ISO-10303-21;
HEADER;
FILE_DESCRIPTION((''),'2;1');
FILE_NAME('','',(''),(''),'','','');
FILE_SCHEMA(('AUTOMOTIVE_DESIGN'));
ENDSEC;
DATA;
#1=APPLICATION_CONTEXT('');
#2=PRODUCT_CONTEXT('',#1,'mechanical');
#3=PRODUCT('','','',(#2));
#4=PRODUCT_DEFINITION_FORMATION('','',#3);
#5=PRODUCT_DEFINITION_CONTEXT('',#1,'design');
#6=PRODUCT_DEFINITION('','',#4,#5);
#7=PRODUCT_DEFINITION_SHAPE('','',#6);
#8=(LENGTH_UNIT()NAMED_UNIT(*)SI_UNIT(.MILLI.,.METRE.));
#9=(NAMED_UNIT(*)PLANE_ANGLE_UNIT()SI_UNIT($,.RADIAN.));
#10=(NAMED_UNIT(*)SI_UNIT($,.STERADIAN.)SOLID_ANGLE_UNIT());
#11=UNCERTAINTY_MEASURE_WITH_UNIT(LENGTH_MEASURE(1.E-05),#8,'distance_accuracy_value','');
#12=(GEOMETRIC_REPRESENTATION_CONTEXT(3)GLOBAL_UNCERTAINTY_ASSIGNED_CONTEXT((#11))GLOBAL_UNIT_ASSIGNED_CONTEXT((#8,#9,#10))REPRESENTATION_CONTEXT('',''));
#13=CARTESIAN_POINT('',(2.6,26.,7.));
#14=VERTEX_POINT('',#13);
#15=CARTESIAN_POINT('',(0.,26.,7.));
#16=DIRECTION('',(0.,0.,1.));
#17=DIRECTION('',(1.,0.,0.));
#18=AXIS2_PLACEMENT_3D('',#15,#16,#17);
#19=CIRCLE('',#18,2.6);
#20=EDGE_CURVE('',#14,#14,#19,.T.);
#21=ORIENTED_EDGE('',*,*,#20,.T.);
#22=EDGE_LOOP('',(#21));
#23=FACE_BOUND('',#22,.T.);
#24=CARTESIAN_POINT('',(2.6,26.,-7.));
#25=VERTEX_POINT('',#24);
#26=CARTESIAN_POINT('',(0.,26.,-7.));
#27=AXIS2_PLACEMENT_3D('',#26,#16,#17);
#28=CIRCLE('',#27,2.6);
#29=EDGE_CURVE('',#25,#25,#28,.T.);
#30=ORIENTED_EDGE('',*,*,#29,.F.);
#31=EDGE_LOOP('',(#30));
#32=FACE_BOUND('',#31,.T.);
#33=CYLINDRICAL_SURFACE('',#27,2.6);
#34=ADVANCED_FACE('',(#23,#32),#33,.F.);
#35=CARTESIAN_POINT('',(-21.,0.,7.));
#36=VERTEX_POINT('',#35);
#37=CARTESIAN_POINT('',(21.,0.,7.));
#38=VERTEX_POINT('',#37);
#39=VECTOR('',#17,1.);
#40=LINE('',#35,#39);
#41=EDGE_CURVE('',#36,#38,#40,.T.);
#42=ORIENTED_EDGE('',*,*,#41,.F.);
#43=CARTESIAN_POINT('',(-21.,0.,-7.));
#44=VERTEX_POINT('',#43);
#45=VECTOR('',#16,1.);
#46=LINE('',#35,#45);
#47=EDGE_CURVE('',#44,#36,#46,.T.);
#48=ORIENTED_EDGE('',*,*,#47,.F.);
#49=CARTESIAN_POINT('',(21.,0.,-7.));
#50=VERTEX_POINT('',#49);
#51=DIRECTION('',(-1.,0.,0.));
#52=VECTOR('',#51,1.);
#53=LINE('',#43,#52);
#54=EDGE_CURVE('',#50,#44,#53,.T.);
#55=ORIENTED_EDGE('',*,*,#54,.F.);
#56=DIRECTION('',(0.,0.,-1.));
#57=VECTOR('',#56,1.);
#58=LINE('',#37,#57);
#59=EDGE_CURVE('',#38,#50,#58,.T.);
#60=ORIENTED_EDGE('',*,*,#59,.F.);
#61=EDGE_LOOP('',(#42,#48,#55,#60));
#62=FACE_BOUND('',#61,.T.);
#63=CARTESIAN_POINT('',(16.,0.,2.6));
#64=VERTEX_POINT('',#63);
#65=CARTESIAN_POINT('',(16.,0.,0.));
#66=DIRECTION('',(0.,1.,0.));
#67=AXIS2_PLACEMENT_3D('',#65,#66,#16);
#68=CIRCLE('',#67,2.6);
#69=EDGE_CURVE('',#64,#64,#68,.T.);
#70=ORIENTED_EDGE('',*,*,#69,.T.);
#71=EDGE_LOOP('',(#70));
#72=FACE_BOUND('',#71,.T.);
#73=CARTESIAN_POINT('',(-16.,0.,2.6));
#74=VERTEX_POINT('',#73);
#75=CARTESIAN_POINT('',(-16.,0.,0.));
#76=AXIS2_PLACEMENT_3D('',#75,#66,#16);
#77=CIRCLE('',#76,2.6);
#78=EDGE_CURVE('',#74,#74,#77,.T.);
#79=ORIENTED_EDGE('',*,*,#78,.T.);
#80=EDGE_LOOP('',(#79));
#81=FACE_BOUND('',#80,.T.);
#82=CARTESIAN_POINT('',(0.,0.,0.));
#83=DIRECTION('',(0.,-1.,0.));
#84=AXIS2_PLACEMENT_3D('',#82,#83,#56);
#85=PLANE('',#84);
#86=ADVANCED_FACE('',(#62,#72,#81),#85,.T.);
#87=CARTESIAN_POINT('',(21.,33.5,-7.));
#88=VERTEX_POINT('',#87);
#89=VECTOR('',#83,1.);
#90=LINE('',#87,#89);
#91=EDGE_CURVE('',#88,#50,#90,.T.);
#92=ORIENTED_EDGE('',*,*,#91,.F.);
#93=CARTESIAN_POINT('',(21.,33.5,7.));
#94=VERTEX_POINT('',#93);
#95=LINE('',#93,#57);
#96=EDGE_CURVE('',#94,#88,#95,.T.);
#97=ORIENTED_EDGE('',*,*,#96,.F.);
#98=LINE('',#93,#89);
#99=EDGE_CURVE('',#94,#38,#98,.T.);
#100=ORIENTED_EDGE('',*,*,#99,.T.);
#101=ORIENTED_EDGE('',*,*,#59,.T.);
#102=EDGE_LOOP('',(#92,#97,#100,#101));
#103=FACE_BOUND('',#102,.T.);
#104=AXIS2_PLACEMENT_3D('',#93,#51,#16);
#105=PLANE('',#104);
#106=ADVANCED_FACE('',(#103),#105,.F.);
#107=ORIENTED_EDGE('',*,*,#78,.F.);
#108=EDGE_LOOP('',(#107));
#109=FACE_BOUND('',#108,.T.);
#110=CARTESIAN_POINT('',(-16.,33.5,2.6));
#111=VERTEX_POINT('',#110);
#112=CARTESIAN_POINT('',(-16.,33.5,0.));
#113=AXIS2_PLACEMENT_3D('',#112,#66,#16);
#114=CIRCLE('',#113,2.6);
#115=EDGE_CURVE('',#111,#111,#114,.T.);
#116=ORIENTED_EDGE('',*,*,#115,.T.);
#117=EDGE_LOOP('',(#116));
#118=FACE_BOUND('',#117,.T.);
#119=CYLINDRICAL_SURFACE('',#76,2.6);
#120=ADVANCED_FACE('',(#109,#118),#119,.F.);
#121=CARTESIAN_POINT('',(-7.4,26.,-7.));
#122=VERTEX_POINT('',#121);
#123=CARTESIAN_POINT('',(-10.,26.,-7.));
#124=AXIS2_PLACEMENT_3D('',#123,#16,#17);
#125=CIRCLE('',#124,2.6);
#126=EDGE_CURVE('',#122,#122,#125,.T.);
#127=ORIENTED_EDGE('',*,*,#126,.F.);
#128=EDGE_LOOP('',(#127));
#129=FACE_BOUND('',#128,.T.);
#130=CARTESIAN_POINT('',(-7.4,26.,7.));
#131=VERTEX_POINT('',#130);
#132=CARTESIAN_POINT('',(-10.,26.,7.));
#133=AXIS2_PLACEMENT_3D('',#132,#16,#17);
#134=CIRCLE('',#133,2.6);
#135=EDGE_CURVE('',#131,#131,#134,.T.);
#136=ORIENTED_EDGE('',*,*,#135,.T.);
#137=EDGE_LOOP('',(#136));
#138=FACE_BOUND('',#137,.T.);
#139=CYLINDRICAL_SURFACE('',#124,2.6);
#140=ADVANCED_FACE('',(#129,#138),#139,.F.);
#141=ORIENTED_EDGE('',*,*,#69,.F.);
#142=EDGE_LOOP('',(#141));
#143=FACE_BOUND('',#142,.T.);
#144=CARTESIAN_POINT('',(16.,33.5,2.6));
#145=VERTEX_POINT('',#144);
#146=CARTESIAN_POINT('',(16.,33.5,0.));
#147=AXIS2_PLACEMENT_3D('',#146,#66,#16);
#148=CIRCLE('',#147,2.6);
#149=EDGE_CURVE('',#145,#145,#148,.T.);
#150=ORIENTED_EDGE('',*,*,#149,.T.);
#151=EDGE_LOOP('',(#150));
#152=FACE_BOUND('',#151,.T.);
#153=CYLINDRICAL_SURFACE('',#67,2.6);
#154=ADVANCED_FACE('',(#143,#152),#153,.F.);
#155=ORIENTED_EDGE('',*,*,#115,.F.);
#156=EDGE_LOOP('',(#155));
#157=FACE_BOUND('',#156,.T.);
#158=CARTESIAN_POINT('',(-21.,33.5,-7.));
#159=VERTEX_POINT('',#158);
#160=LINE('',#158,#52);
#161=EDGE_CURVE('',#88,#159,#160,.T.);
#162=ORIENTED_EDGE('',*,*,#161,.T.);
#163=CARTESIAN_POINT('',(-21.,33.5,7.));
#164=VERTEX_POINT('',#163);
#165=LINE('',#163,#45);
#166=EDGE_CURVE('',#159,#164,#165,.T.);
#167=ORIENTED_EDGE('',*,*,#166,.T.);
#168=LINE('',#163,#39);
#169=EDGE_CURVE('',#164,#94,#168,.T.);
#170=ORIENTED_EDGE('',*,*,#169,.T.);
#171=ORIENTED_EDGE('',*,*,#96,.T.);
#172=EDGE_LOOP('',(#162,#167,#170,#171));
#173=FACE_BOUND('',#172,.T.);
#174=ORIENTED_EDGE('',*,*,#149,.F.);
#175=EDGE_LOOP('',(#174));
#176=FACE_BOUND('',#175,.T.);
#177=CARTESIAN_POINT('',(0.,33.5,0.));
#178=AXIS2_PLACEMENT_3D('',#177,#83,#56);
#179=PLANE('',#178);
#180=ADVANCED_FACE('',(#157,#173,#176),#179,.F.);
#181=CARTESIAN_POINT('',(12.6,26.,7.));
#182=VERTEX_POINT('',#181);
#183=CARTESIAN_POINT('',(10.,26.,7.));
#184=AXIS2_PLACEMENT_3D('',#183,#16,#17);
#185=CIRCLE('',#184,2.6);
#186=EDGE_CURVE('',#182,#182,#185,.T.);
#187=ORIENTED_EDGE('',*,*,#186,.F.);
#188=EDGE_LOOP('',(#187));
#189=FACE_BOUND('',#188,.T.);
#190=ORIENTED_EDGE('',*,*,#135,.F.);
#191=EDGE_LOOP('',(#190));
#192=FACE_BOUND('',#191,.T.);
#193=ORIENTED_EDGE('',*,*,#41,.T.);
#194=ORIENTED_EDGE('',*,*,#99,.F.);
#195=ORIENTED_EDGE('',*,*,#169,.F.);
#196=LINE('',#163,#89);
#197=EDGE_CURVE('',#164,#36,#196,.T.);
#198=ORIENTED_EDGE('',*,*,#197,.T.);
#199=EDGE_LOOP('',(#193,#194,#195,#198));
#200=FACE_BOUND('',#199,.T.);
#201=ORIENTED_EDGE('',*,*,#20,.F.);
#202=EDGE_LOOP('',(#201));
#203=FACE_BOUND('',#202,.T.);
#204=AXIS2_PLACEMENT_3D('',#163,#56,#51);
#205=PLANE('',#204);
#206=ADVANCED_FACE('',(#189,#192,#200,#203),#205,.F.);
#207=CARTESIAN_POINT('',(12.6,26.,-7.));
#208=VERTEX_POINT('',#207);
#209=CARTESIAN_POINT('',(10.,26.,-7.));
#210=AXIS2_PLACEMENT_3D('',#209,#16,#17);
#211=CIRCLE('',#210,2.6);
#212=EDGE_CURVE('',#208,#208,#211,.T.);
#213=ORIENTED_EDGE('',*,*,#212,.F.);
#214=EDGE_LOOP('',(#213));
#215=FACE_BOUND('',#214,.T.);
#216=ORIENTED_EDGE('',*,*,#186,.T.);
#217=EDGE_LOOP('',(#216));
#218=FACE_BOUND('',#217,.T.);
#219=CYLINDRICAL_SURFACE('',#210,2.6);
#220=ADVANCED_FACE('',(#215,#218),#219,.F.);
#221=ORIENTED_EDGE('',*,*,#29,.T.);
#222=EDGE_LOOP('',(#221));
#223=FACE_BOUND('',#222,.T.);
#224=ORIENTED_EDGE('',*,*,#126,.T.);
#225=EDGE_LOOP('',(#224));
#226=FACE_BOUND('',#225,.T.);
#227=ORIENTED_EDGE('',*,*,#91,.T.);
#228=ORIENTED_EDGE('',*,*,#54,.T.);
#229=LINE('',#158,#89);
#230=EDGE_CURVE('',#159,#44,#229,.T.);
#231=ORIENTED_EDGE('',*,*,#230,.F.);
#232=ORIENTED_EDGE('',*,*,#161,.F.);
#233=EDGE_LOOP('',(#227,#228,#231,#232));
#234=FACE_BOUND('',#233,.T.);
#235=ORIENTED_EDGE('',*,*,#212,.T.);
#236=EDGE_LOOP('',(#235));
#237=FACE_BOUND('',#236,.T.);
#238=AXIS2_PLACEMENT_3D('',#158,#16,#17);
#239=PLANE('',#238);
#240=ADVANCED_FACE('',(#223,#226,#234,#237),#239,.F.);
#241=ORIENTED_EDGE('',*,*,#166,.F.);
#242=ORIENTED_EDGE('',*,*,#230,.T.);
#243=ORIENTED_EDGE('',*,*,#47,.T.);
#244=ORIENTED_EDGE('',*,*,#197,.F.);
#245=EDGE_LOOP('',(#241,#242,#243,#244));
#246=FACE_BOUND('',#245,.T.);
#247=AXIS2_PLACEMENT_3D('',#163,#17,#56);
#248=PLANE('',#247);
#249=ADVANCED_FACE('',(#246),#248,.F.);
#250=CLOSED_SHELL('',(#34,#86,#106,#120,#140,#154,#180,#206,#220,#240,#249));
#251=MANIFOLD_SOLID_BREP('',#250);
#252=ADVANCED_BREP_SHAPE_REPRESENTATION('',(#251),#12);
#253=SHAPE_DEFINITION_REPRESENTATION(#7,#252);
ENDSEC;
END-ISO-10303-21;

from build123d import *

# Parameters (mm, degrees)
SKETCH3_W           = 42
SKETCH3_H           = 14
BOSS_EXTRUDE2_DEPTH = 33.5
SKETCH4_R           = 2.6
CUT_EXTRUDE2_DEPTH  = 41.152833026
SKETCH5_R           = 2.6
CUT_EXTRUDE3_DEPTH  = 42.943414263


with BuildPart() as part:
    # Sketch3 → Boss-Extrude2 (new body)
    with BuildSketch(Plane(origin=(0, 0, 0), x_dir=(1, 0, 0), z_dir=(0, 1, 0))):
        Rectangle(SKETCH3_W, SKETCH3_H)
    extrude(amount=BOSS_EXTRUDE2_DEPTH)

    # Sketch4 → Cut-Extrude2 (cut, through all)
    with BuildSketch(Plane(origin=(0, 33.5, 0), x_dir=(1, 0, 0), z_dir=(0, 1, 0))):
        with Locations(Location((-16, 0, 0), (0, 0, 270))):
            Circle(SKETCH4_R)
        with Locations(Location((16, 0, 0), (0, 0, 270))):
            Circle(SKETCH4_R)
    extrude(amount=-CUT_EXTRUDE2_DEPTH, mode=Mode.SUBTRACT)

    # Sketch5 → Cut-Extrude3 (cut, through all)
    with BuildSketch(Plane.XY.offset(7)):
        with Locations((0, 26)):
            Circle(SKETCH5_R)
        with Locations((10, 26)):
            Circle(SKETCH5_R)
        with Locations((-10, 26)):
            Circle(SKETCH5_R)
    extrude(amount=-CUT_EXTRUDE3_DEPTH, mode=Mode.SUBTRACT)


solid = part.part
